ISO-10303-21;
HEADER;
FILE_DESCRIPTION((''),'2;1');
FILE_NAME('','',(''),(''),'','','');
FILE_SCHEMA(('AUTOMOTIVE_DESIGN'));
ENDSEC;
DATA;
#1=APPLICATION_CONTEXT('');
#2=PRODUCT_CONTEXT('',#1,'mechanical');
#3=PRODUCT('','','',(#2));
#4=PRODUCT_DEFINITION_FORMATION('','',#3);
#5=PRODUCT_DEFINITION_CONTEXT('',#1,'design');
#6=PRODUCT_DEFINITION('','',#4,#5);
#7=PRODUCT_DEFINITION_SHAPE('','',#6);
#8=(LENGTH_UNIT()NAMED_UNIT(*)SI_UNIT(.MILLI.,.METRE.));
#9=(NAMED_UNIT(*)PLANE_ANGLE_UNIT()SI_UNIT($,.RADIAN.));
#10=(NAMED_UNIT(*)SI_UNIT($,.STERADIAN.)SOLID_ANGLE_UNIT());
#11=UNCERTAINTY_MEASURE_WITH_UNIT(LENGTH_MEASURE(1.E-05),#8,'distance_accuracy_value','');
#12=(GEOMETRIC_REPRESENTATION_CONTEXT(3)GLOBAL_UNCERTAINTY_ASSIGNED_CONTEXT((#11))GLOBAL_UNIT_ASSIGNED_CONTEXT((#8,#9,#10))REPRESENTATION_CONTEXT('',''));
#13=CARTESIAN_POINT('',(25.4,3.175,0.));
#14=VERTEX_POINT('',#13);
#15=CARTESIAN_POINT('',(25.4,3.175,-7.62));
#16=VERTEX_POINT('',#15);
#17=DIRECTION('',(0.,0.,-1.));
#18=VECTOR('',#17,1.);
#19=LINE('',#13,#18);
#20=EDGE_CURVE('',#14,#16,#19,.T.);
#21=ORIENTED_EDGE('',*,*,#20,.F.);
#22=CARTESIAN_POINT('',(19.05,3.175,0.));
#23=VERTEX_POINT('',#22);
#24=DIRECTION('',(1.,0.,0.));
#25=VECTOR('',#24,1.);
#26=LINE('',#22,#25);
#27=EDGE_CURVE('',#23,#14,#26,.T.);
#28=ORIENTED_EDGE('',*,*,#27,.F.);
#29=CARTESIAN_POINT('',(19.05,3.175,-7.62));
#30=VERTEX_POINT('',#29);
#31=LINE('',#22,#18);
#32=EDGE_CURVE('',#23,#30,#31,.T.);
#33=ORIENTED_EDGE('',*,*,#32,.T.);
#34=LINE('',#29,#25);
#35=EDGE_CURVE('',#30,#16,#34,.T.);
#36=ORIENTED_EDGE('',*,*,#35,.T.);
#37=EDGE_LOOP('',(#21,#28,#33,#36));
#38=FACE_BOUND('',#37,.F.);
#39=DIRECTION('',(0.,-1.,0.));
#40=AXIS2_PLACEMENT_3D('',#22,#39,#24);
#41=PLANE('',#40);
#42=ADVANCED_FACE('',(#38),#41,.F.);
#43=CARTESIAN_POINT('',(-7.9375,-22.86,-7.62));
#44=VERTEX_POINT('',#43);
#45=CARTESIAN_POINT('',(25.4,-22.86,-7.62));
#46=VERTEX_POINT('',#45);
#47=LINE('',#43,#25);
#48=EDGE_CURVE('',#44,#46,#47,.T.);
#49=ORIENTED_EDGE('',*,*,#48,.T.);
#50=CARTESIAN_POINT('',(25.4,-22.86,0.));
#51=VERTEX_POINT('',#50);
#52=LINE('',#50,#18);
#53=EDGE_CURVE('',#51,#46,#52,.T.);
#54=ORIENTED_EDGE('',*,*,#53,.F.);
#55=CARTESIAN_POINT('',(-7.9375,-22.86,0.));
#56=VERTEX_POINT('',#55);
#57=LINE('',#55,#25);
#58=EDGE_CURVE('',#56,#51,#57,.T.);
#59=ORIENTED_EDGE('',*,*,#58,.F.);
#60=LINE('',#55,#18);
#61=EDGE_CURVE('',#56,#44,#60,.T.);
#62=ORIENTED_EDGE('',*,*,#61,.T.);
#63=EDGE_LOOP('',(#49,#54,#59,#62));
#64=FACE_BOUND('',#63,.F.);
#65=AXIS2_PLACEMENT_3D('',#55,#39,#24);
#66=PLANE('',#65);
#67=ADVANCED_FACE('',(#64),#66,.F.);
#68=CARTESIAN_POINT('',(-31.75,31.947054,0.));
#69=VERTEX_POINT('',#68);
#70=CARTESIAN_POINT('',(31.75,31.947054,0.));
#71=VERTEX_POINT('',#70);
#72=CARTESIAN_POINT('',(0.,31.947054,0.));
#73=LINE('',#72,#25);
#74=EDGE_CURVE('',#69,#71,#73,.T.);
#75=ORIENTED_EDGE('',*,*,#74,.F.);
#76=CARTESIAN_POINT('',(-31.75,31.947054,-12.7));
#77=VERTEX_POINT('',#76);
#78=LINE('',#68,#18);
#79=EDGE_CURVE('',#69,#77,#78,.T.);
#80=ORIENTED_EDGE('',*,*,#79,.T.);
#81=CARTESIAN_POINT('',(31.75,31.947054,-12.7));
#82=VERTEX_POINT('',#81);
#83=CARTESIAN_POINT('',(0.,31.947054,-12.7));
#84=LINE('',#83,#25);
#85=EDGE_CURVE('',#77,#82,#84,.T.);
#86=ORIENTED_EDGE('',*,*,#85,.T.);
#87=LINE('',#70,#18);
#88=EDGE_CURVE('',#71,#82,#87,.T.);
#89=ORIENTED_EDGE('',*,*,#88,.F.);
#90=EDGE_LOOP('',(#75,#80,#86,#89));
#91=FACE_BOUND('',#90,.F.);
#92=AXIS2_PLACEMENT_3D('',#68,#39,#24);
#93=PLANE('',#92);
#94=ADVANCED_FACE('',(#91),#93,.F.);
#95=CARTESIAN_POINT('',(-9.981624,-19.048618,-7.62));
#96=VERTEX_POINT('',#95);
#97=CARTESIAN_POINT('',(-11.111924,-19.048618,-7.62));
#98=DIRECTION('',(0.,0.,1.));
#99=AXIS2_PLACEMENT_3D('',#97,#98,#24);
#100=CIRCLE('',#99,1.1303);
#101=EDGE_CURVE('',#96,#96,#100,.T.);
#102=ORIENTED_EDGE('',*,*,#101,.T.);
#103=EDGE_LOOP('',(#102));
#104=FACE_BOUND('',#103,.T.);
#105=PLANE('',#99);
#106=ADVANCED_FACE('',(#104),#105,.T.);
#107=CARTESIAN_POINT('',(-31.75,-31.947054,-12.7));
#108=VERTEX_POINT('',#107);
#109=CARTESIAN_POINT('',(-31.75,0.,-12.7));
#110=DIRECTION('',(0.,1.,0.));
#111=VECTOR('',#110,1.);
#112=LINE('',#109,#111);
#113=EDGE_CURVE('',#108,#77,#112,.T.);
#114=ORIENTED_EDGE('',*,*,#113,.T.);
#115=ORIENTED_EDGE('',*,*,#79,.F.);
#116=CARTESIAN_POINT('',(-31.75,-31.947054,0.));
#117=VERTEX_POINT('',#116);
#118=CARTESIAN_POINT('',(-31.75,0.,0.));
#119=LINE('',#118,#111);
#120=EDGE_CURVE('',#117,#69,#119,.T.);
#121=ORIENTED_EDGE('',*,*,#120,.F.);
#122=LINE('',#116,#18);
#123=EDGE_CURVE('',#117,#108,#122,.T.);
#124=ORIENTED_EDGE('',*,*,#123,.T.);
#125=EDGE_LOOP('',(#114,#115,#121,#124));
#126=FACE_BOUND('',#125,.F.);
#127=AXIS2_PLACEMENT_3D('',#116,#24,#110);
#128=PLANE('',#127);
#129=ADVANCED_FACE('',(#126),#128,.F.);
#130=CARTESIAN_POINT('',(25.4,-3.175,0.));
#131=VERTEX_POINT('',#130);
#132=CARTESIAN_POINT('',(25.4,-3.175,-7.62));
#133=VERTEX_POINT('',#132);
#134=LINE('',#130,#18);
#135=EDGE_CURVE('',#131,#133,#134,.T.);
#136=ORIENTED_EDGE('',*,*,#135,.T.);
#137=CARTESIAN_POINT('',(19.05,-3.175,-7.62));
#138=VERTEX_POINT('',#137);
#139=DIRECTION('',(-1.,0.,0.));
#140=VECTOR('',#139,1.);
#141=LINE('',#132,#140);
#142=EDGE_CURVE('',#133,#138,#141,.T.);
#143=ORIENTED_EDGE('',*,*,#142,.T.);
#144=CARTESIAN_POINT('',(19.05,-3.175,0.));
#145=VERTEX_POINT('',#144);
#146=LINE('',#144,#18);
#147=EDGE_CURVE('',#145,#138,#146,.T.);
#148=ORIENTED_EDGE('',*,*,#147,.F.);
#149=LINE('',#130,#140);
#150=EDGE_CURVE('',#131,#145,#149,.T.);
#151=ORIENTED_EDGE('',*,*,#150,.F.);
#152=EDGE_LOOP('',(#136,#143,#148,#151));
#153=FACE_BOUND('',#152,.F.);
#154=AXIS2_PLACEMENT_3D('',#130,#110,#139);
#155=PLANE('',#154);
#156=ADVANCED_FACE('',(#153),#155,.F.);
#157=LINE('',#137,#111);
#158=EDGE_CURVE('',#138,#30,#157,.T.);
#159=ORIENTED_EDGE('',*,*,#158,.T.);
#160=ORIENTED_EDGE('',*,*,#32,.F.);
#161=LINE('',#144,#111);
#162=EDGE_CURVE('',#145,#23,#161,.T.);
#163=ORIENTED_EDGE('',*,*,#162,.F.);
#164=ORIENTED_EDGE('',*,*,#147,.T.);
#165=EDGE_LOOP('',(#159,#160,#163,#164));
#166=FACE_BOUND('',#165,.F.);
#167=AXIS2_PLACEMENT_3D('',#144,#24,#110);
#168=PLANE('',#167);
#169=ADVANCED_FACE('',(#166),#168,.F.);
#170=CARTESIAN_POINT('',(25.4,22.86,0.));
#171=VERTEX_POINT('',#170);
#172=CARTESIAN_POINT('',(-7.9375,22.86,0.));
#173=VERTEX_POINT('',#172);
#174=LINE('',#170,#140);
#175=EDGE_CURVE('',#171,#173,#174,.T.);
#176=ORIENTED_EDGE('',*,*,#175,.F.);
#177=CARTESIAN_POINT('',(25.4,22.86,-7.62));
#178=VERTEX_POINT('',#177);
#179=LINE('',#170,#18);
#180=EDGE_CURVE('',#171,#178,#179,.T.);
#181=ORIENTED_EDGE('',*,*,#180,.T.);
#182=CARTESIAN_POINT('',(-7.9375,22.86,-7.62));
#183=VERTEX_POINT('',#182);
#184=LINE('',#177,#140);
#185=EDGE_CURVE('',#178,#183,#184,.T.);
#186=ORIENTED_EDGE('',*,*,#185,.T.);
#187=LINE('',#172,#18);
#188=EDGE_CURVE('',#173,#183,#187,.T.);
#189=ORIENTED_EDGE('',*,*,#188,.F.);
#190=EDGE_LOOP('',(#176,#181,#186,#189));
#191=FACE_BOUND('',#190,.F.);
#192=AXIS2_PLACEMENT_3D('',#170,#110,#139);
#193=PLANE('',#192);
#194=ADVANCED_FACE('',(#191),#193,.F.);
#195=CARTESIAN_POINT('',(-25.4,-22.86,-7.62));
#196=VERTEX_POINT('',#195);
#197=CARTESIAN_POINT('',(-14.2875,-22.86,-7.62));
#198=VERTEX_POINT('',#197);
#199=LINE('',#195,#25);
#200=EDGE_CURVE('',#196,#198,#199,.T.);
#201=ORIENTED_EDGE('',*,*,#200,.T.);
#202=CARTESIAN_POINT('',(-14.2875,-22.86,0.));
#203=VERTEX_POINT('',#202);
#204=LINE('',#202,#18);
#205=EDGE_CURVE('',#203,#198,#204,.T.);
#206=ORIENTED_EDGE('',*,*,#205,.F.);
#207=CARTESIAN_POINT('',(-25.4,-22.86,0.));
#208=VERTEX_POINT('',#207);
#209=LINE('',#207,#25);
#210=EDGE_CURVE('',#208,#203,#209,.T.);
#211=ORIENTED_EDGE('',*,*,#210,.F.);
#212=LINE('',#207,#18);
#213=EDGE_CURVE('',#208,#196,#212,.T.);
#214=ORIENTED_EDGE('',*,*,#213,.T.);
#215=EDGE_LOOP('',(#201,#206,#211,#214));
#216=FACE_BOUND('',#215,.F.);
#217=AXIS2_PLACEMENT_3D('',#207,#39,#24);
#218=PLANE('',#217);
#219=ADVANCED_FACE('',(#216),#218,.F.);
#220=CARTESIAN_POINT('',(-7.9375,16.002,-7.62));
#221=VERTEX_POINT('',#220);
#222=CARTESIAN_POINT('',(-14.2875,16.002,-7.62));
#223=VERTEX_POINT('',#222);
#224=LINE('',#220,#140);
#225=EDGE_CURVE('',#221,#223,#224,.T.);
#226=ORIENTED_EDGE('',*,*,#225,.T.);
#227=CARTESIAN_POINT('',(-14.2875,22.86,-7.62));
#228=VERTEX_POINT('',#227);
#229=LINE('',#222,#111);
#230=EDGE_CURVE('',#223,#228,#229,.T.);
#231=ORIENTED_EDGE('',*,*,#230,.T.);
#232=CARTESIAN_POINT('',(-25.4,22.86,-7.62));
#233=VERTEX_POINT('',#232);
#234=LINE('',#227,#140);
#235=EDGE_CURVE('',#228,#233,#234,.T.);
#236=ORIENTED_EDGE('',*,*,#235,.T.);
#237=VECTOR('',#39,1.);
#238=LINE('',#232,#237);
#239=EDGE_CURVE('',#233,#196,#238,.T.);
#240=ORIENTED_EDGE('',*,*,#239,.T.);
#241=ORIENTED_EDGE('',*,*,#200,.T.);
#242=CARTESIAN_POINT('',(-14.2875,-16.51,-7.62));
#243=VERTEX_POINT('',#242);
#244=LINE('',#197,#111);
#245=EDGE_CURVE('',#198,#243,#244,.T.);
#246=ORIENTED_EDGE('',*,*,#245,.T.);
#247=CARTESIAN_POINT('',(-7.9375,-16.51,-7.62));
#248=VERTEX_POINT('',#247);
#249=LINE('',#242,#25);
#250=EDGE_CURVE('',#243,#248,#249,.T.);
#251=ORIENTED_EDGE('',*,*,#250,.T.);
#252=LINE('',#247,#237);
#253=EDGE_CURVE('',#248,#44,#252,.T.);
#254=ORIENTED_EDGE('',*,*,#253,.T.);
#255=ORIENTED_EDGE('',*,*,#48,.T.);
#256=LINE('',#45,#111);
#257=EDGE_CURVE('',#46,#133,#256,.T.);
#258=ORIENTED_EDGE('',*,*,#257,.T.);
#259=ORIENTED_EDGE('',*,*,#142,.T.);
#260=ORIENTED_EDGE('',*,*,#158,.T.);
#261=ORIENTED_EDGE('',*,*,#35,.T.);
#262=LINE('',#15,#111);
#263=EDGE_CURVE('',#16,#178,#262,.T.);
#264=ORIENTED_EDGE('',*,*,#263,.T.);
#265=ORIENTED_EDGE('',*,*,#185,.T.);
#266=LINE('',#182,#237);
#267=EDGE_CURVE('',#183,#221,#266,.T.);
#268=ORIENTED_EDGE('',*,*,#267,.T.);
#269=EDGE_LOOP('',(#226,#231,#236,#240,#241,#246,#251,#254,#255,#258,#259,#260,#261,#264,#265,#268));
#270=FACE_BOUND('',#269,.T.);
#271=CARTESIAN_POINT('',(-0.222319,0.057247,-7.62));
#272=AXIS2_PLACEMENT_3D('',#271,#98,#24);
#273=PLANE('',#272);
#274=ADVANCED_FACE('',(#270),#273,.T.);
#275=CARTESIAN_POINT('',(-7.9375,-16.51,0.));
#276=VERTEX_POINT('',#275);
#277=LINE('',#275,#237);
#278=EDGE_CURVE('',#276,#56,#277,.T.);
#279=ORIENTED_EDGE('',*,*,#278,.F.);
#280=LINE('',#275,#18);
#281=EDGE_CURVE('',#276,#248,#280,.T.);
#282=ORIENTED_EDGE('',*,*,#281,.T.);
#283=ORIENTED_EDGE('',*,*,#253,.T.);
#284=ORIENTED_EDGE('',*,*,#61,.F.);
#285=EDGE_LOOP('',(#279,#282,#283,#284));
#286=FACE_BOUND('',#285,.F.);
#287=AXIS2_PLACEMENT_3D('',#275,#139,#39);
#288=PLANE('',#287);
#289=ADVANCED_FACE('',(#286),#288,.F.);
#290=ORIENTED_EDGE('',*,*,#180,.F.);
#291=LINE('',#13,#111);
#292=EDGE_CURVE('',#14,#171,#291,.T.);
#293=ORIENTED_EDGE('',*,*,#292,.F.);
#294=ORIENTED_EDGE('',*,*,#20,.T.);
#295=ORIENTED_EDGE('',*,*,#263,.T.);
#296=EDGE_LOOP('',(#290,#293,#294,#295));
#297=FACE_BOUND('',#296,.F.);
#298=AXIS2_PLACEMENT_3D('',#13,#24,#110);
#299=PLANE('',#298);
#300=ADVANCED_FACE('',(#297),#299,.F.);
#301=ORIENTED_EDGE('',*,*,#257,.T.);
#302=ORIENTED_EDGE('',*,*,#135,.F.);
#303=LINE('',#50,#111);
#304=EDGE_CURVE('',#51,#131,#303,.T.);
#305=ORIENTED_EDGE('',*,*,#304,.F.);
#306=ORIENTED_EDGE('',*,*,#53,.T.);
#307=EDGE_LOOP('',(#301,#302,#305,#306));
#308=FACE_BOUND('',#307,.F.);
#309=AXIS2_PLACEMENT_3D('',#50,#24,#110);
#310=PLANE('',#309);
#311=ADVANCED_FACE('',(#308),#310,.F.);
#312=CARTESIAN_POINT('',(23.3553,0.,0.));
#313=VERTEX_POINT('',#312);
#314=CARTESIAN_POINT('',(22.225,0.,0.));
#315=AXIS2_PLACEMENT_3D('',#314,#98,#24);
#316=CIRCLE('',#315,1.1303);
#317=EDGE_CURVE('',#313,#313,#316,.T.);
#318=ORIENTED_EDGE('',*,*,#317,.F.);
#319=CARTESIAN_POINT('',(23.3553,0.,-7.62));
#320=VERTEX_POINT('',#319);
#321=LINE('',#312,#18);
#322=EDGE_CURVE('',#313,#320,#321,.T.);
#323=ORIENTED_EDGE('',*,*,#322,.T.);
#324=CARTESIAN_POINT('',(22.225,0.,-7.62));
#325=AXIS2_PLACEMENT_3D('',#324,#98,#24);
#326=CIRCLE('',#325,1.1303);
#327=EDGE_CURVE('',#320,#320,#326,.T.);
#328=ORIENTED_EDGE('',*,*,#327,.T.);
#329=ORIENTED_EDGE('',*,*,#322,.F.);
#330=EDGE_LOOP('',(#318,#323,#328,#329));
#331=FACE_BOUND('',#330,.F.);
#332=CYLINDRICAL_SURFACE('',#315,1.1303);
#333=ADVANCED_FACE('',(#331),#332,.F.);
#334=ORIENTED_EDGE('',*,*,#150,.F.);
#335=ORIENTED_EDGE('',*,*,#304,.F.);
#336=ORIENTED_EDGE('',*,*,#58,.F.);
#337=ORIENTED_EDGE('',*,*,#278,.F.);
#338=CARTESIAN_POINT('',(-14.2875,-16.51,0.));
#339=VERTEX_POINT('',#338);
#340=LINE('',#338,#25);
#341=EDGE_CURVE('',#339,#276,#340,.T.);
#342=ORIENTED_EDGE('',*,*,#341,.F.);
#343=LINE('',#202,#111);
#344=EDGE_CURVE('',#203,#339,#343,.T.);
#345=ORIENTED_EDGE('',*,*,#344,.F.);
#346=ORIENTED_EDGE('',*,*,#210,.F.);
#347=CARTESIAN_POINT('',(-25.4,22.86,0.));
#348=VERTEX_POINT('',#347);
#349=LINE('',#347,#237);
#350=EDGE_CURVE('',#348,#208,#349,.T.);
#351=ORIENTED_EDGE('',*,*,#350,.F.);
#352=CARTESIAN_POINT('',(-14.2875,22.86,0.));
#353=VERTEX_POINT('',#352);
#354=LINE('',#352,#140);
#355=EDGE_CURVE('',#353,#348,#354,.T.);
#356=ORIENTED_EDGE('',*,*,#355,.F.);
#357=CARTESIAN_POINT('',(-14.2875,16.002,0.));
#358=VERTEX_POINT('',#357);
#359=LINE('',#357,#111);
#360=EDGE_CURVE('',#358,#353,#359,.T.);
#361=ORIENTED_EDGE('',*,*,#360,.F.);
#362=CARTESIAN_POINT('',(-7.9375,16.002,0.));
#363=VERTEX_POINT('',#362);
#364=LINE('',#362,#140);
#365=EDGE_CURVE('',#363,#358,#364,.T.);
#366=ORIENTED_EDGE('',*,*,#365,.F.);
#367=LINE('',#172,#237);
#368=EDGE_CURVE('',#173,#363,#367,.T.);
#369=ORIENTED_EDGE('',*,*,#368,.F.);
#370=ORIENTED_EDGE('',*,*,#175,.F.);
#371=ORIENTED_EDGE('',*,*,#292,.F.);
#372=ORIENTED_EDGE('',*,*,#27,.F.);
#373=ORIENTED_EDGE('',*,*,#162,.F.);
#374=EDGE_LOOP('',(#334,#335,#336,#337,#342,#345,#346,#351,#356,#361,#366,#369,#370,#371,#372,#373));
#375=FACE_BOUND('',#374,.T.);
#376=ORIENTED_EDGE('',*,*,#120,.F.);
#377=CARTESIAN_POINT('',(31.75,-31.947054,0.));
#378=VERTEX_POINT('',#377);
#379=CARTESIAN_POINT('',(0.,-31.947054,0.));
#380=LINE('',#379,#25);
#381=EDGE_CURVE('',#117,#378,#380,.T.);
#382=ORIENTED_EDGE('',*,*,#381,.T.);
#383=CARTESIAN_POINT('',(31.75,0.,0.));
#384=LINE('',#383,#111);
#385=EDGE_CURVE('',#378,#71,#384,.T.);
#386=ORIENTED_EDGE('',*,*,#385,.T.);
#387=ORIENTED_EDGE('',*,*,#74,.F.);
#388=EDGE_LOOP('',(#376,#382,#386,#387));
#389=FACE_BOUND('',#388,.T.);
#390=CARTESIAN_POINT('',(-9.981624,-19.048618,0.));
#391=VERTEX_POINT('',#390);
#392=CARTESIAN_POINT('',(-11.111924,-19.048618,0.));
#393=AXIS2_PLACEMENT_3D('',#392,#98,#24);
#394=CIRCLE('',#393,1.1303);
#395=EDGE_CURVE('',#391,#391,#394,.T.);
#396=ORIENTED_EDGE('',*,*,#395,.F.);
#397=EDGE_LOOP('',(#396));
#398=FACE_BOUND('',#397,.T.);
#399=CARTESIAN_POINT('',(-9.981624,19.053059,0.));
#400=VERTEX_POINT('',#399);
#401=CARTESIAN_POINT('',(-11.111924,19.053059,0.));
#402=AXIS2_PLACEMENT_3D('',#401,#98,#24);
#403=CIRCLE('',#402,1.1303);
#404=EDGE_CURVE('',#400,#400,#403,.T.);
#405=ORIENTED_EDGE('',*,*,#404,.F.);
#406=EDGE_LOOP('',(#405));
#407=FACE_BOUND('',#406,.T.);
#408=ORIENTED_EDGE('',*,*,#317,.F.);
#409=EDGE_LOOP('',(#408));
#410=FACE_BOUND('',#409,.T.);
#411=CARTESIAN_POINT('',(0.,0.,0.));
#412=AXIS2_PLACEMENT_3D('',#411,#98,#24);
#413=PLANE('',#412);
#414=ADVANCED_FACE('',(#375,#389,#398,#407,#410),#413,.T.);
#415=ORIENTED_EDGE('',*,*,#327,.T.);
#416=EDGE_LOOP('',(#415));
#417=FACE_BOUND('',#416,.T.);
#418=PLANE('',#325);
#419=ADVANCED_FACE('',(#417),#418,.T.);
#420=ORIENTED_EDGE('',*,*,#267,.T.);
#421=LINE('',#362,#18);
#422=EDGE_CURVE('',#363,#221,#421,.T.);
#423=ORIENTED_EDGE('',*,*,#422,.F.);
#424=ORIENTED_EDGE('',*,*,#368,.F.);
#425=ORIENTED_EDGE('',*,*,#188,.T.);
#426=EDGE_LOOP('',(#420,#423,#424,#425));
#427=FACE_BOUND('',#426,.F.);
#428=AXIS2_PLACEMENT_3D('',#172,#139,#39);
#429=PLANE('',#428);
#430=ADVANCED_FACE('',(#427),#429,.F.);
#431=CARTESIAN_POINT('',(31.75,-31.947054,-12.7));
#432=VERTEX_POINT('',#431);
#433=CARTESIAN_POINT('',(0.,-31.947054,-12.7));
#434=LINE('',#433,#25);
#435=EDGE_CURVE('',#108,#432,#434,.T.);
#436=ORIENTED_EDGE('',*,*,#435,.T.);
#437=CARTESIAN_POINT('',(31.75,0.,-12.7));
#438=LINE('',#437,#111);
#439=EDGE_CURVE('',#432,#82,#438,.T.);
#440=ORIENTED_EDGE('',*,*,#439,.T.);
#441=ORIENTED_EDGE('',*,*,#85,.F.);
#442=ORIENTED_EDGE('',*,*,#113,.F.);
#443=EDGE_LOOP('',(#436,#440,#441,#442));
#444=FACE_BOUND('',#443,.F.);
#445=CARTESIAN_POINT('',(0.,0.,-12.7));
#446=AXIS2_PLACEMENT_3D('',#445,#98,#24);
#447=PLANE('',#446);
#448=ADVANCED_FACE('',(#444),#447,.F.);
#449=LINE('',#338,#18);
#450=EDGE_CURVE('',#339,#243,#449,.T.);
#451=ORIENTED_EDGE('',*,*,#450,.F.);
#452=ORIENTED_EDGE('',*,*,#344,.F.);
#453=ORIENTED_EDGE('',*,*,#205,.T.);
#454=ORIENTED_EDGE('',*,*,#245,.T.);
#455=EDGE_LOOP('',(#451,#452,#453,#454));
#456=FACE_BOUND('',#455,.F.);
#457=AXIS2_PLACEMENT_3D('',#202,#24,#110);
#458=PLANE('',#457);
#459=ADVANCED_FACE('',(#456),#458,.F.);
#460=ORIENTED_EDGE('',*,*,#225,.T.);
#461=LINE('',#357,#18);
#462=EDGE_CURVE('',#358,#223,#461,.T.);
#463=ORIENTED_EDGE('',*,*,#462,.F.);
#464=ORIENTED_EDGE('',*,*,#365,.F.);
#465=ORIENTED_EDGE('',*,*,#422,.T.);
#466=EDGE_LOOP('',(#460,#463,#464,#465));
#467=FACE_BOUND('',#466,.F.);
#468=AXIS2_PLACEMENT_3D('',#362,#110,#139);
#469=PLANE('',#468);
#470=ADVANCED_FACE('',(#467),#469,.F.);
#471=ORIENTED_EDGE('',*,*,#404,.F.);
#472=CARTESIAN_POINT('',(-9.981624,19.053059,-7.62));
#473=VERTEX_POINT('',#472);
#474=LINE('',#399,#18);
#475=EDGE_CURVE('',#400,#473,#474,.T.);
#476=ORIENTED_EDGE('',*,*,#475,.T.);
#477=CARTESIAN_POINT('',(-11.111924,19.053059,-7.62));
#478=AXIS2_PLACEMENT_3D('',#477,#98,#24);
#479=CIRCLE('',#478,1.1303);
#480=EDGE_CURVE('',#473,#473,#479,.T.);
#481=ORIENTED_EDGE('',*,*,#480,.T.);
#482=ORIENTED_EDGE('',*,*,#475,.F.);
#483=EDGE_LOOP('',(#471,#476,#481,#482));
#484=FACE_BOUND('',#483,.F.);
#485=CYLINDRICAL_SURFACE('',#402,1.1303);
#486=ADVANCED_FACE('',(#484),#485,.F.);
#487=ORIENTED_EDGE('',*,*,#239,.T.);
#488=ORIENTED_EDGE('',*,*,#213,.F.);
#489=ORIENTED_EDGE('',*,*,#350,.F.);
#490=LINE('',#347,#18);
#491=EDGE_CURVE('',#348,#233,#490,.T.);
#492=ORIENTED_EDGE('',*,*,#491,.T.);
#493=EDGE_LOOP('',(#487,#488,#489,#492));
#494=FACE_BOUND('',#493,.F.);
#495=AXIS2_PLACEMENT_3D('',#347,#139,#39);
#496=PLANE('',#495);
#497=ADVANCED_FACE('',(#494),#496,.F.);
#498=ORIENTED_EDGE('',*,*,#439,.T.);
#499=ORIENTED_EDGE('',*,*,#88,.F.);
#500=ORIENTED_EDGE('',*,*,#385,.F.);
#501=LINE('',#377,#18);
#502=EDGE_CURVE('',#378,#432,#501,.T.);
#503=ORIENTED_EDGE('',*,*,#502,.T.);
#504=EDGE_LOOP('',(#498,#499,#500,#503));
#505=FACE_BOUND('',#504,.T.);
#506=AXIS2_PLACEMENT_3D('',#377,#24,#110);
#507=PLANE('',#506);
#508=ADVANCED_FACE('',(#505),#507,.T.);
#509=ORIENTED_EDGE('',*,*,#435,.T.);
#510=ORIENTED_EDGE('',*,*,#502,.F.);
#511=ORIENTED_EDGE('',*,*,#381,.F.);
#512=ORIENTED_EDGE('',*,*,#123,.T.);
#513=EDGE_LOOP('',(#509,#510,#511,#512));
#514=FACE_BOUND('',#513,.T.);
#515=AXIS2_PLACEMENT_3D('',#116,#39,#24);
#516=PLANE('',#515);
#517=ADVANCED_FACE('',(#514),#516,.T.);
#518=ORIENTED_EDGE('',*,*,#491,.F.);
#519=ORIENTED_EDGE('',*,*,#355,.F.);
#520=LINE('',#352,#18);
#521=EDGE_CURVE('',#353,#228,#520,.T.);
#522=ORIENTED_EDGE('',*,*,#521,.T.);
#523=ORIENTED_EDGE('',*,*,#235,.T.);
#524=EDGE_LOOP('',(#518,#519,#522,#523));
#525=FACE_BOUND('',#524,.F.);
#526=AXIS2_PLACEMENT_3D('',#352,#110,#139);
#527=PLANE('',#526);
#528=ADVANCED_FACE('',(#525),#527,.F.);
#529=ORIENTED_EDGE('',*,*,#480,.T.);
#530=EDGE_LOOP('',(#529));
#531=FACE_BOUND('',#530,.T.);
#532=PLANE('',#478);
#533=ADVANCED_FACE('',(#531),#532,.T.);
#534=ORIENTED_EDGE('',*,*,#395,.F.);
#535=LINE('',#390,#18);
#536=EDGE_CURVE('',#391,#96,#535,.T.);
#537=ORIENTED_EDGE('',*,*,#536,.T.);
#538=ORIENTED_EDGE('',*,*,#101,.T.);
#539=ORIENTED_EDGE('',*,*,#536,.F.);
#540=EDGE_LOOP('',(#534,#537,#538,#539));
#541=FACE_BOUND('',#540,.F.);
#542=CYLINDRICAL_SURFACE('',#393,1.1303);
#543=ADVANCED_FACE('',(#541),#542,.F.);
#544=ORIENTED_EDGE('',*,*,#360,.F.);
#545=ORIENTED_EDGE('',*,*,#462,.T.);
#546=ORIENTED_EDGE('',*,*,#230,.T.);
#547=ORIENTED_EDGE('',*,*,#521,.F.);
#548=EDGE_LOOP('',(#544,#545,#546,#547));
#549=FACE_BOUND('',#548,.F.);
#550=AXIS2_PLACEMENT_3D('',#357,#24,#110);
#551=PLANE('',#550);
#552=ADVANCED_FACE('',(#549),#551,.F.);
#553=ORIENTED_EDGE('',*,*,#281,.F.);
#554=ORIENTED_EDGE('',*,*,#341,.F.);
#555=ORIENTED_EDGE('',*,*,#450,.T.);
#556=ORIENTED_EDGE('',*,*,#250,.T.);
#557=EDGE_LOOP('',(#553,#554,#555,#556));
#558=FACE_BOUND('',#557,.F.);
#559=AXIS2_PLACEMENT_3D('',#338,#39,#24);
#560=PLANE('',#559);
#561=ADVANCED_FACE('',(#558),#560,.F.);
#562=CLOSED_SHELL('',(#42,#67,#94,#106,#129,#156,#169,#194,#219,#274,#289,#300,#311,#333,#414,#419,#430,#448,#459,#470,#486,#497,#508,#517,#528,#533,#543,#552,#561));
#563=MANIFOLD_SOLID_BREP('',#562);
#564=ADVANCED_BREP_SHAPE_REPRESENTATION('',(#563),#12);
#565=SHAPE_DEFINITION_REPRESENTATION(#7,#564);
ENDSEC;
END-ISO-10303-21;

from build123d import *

# Parameters (mm, degrees)
F1_W     = 63.5
F1_H     = 63.894108
F3_DEPTH = 12.7
F2_R     = 1.1303
F4_DEPTH = 7.62


with BuildPart() as f3:
    # F1 (on Top) → F3 (new body)
    with BuildSketch(Plane.XY):
        Rectangle(F1_W, F1_H)
    extrude(amount=-F3_DEPTH)

    # F2 (on Top) → F4 (cut)
    with BuildSketch(Plane.XY):
        Polygon((-14.2875, 22.86), (-25.4, 22.86), (-25.4, -22.86), (-14.2875, -22.86), (-14.2875, -16.51), (-7.9375, -16.51), (-7.9375, -22.86), (25.4, -22.86), (25.4, -3.175), (19.05, -3.175), (19.05, 3.175), (25.4, 3.175), (25.4, 22.86), (-7.9375, 22.86), (-7.9375, 16.002), (-14.2875, 16.002), align=None)
        with Locations((22.225, 0)):
            Circle(F2_R)
        with Locations((-11.111924, -19.048618)):
            Circle(F2_R)
        with Locations((-11.111924, 19.053059)):
            Circle(F2_R)
    extrude(amount=-F4_DEPTH, mode=Mode.SUBTRACT)


solid = f3.part
